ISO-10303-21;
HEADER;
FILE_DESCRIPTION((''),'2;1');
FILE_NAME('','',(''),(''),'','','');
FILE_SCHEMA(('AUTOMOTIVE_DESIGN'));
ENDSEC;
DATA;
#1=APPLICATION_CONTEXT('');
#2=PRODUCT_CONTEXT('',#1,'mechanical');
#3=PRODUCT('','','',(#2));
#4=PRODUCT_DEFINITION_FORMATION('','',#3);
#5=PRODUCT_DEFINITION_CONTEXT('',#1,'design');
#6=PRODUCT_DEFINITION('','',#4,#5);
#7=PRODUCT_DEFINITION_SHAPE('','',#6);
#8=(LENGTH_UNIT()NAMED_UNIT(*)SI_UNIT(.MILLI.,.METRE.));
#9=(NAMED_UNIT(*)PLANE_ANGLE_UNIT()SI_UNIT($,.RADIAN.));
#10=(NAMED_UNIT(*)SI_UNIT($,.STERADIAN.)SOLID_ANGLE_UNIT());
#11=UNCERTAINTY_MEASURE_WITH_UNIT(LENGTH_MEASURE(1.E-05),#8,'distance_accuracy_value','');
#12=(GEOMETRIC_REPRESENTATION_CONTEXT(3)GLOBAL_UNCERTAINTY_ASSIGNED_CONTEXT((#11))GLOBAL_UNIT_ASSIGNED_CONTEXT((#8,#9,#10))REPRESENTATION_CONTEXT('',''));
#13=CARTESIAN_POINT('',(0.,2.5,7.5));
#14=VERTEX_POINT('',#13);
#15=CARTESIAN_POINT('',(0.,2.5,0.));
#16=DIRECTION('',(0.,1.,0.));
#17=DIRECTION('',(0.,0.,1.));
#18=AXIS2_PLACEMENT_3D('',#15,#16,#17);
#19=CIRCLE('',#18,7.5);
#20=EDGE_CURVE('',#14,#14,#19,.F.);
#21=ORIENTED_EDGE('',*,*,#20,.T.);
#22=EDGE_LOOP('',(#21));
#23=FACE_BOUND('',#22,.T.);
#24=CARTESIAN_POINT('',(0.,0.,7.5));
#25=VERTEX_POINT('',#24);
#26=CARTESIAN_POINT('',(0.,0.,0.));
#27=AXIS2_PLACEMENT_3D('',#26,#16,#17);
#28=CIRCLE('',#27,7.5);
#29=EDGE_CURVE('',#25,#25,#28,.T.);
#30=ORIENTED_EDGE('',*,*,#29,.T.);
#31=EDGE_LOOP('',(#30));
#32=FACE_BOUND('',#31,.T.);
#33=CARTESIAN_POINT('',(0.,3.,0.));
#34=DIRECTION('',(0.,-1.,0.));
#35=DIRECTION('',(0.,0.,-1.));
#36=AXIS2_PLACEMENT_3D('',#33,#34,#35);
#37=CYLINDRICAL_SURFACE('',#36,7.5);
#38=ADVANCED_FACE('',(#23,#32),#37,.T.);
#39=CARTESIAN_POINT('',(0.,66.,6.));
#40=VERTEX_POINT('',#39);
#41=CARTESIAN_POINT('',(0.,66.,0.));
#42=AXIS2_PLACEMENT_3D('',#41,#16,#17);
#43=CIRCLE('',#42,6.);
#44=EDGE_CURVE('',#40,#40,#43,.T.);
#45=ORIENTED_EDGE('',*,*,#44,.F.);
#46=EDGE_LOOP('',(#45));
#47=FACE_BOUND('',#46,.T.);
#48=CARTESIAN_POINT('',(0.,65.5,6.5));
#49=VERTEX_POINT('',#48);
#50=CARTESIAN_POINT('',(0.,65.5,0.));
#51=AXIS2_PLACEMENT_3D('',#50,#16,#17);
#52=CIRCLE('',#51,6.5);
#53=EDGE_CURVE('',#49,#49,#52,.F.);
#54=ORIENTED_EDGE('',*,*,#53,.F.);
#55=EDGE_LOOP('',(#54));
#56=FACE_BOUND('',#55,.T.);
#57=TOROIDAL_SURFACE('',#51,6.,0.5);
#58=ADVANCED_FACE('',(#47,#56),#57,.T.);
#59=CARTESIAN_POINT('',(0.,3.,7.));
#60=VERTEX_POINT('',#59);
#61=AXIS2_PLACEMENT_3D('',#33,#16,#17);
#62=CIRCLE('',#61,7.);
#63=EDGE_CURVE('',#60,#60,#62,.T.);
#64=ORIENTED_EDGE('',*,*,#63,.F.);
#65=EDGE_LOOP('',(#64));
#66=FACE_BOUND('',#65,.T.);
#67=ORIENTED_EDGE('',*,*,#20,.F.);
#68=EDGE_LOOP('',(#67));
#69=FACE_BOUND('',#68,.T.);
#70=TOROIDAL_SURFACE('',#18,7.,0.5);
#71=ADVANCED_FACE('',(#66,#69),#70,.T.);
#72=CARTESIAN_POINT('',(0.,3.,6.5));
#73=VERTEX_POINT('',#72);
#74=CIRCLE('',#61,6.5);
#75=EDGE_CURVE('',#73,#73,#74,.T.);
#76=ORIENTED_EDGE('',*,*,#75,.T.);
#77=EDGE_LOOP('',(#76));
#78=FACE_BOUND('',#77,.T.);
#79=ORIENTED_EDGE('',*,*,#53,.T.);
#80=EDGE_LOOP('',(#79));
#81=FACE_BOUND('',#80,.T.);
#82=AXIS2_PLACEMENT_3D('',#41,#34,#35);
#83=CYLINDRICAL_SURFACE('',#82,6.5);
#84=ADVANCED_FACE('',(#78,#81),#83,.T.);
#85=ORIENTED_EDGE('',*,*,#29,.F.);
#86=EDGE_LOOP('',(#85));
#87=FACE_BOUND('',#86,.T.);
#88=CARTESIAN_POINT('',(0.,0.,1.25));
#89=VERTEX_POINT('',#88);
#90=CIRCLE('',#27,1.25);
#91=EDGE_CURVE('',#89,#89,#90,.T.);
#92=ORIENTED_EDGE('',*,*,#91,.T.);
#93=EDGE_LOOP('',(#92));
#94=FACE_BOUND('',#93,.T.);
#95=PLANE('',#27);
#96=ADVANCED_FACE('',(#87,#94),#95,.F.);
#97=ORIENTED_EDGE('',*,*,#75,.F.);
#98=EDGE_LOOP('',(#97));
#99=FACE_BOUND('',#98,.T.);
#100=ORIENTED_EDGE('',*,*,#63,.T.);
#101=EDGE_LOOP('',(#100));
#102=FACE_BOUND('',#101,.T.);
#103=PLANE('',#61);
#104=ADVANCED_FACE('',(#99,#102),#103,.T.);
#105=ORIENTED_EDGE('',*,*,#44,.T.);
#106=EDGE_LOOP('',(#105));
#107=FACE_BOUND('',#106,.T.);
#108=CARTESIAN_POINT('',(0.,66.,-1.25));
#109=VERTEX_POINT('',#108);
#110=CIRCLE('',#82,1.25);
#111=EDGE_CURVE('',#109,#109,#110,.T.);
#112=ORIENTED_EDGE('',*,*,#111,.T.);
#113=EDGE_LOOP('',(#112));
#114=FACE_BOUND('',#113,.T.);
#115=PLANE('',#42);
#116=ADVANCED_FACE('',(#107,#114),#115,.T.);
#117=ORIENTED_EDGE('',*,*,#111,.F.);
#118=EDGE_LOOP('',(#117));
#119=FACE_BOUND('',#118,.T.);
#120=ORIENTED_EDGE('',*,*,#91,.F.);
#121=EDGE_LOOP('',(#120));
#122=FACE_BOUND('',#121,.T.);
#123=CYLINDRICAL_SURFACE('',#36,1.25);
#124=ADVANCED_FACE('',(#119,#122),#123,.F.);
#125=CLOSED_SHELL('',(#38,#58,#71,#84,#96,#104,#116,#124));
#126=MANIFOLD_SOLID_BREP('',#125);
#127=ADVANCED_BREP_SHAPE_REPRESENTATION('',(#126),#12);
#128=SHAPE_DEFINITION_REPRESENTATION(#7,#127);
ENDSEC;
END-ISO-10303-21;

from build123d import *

# Parameters (mm, degrees)
SKETCH_1_R          = 7.5
SKETCH_1_R_2        = 1.25
EXTRUDE_1_DEPTH     = 3
SKETCH_2_R          = 6.5
EXTRUDE_2_DEPTH     = 63
SKETCH_3_R          = 1.25
CUT_EXTRUDE_1_DEPTH = 64.886618317
FILLET_1_R          = 0.5


with BuildPart() as part:
    # Эскиз1 → Бобышка-Вытянуть1 (new body)
    with BuildSketch(Plane(origin=(0, 0, 0), x_dir=(1, 0, 0), z_dir=(0, 1, 0))):
        with Locations(Location((0, 0, 0), (0, 0, 270))):
            Circle(SKETCH_1_R)
        with Locations(Location((0, 0, 0), (0, 0, 270))):
            Circle(SKETCH_1_R_2, mode=Mode.SUBTRACT)
    extrude(amount=EXTRUDE_1_DEPTH)

    # Эскиз2 → Бобышка-Вытянуть2 (add)
    with BuildSketch(Plane(origin=(0, 3, 0), x_dir=(1, 0, 0), z_dir=(0, 1, 0))):
        with Locations(Location((0, 0, 0), (0, 0, 270))):
            Circle(SKETCH_2_R)
    extrude(amount=EXTRUDE_2_DEPTH)

    # Эскиз3 → Вырез-Вытянуть1 (cut, through all)
    with BuildSketch(Plane.XZ.offset(-3)):
        with Locations(Location((0, 0, 0), (0, 0, 270))):
            Circle(SKETCH_3_R)
    extrude(amount=-CUT_EXTRUDE_1_DEPTH, mode=Mode.SUBTRACT)

    # Скругление1
    fillet_1_edges = [part.edges().sort_by_distance(p)[0] for p in [
        (0, 66, -6.5),
        (0, 3, -7.5),
    ]]
    fillet(fillet_1_edges, radius=FILLET_1_R)


solid = part.part
